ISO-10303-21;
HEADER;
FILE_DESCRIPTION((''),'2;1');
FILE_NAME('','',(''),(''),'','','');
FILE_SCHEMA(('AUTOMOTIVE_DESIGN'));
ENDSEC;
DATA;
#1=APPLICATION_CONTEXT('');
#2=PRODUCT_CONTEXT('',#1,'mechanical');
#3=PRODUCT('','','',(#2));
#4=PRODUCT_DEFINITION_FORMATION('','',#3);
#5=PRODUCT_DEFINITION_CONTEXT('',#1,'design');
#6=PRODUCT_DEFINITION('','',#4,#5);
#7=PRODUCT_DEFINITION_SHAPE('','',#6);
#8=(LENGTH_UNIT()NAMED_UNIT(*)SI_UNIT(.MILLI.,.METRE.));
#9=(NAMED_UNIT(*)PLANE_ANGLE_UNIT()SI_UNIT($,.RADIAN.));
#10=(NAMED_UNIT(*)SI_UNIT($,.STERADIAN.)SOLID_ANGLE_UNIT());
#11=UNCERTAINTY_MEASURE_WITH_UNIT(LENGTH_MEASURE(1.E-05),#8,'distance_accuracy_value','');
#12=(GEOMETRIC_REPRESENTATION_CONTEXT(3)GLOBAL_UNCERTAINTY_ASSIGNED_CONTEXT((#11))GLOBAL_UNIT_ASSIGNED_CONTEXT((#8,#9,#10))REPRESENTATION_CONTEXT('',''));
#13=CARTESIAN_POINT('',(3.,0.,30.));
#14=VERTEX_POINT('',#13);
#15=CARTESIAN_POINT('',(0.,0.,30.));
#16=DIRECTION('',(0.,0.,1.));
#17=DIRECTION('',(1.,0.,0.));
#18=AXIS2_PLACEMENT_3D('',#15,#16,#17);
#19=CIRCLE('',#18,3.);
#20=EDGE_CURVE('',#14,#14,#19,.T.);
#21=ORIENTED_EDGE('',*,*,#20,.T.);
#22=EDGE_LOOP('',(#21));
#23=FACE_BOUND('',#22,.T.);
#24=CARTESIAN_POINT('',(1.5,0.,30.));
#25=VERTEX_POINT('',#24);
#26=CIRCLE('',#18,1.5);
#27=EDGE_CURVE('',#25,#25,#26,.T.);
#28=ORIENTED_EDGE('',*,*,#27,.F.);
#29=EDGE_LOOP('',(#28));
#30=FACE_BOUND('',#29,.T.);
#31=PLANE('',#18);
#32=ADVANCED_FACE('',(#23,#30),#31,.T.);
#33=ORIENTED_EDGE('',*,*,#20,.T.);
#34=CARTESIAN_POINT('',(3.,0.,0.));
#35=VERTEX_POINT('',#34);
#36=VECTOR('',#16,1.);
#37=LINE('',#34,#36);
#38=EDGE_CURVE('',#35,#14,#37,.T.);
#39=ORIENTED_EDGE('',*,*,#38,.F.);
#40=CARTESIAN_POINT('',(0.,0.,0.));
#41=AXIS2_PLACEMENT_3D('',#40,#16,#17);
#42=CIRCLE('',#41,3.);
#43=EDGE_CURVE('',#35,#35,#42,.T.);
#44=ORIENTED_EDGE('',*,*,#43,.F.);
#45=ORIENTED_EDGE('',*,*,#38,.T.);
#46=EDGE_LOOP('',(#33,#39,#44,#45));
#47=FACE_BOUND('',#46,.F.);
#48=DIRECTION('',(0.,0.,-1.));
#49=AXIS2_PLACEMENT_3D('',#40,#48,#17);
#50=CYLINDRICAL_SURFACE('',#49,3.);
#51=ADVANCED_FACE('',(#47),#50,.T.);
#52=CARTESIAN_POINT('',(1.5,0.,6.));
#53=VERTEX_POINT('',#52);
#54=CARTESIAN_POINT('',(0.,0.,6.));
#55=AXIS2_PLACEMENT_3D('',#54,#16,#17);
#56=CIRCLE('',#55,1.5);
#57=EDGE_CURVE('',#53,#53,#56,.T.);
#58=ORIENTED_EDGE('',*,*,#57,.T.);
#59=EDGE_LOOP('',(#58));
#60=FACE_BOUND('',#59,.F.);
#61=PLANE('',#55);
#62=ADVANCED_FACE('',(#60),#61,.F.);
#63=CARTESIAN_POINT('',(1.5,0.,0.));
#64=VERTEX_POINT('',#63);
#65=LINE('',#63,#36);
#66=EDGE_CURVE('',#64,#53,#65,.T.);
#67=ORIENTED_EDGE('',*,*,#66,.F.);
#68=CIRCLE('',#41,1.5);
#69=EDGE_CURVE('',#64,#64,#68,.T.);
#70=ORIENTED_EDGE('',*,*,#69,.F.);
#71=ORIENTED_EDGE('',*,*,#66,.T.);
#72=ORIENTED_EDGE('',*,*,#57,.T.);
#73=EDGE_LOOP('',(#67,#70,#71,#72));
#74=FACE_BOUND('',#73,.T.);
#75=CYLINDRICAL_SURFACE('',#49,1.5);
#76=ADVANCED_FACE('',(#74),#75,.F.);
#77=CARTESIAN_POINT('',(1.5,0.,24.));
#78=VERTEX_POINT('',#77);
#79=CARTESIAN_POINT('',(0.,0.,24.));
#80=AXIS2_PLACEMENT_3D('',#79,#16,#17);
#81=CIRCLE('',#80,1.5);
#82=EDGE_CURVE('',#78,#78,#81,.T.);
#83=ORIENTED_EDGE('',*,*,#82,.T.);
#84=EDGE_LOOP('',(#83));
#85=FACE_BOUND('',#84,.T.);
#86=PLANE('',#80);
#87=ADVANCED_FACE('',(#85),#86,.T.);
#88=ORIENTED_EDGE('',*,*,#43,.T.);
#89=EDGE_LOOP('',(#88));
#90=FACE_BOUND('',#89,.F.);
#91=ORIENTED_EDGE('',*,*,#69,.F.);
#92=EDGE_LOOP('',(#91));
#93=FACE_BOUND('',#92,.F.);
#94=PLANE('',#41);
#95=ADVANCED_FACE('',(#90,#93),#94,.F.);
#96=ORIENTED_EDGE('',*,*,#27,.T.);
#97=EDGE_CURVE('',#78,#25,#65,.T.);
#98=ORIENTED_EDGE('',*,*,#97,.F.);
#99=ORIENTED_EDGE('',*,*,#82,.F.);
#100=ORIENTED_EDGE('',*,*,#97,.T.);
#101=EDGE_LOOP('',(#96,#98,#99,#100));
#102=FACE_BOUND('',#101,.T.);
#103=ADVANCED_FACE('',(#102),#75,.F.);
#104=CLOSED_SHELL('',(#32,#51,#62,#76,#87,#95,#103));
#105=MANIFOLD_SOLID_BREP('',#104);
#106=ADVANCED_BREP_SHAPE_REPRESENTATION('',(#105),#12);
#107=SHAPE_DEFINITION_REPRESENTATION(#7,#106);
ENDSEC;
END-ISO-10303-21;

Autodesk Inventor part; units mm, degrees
ref_plane "YZ Plane" through (0, 0, 0) normal (1, 0, 0) x (0, 1, 0)
ref_plane "XZ Plane" through (0, 0, 0) normal (0, 1, 0) x (-1, 0, 0)
sketch "スケッチ1" plane through (0, 0, 0) normal (0, 0, 1) x (1, 0, 0)
  circle A0 centre (0, 0) radius 1.5
  circle A1 centre (0, 0) radius 3
  dimension "d0" = 3
  dimension "d1" = 6
extrude "押し出し1" add sketch "スケッチ1" along normal blind 30
ref_plane "作業平面1" through (0, 0, 24) normal (0, 0, 1) x (1, 0, 0)
sketch "スケッチ3" plane through (0, 0, 24) normal (0, 0, 1) x (1, 0, 0)
  circle A0 centre (0, 0) radius 1.5 projected
extrude "押し出し3" add sketch "スケッチ3" against normal blind 18
properties part number "スペーサーm3,30" material "アルミニウム 7075"
